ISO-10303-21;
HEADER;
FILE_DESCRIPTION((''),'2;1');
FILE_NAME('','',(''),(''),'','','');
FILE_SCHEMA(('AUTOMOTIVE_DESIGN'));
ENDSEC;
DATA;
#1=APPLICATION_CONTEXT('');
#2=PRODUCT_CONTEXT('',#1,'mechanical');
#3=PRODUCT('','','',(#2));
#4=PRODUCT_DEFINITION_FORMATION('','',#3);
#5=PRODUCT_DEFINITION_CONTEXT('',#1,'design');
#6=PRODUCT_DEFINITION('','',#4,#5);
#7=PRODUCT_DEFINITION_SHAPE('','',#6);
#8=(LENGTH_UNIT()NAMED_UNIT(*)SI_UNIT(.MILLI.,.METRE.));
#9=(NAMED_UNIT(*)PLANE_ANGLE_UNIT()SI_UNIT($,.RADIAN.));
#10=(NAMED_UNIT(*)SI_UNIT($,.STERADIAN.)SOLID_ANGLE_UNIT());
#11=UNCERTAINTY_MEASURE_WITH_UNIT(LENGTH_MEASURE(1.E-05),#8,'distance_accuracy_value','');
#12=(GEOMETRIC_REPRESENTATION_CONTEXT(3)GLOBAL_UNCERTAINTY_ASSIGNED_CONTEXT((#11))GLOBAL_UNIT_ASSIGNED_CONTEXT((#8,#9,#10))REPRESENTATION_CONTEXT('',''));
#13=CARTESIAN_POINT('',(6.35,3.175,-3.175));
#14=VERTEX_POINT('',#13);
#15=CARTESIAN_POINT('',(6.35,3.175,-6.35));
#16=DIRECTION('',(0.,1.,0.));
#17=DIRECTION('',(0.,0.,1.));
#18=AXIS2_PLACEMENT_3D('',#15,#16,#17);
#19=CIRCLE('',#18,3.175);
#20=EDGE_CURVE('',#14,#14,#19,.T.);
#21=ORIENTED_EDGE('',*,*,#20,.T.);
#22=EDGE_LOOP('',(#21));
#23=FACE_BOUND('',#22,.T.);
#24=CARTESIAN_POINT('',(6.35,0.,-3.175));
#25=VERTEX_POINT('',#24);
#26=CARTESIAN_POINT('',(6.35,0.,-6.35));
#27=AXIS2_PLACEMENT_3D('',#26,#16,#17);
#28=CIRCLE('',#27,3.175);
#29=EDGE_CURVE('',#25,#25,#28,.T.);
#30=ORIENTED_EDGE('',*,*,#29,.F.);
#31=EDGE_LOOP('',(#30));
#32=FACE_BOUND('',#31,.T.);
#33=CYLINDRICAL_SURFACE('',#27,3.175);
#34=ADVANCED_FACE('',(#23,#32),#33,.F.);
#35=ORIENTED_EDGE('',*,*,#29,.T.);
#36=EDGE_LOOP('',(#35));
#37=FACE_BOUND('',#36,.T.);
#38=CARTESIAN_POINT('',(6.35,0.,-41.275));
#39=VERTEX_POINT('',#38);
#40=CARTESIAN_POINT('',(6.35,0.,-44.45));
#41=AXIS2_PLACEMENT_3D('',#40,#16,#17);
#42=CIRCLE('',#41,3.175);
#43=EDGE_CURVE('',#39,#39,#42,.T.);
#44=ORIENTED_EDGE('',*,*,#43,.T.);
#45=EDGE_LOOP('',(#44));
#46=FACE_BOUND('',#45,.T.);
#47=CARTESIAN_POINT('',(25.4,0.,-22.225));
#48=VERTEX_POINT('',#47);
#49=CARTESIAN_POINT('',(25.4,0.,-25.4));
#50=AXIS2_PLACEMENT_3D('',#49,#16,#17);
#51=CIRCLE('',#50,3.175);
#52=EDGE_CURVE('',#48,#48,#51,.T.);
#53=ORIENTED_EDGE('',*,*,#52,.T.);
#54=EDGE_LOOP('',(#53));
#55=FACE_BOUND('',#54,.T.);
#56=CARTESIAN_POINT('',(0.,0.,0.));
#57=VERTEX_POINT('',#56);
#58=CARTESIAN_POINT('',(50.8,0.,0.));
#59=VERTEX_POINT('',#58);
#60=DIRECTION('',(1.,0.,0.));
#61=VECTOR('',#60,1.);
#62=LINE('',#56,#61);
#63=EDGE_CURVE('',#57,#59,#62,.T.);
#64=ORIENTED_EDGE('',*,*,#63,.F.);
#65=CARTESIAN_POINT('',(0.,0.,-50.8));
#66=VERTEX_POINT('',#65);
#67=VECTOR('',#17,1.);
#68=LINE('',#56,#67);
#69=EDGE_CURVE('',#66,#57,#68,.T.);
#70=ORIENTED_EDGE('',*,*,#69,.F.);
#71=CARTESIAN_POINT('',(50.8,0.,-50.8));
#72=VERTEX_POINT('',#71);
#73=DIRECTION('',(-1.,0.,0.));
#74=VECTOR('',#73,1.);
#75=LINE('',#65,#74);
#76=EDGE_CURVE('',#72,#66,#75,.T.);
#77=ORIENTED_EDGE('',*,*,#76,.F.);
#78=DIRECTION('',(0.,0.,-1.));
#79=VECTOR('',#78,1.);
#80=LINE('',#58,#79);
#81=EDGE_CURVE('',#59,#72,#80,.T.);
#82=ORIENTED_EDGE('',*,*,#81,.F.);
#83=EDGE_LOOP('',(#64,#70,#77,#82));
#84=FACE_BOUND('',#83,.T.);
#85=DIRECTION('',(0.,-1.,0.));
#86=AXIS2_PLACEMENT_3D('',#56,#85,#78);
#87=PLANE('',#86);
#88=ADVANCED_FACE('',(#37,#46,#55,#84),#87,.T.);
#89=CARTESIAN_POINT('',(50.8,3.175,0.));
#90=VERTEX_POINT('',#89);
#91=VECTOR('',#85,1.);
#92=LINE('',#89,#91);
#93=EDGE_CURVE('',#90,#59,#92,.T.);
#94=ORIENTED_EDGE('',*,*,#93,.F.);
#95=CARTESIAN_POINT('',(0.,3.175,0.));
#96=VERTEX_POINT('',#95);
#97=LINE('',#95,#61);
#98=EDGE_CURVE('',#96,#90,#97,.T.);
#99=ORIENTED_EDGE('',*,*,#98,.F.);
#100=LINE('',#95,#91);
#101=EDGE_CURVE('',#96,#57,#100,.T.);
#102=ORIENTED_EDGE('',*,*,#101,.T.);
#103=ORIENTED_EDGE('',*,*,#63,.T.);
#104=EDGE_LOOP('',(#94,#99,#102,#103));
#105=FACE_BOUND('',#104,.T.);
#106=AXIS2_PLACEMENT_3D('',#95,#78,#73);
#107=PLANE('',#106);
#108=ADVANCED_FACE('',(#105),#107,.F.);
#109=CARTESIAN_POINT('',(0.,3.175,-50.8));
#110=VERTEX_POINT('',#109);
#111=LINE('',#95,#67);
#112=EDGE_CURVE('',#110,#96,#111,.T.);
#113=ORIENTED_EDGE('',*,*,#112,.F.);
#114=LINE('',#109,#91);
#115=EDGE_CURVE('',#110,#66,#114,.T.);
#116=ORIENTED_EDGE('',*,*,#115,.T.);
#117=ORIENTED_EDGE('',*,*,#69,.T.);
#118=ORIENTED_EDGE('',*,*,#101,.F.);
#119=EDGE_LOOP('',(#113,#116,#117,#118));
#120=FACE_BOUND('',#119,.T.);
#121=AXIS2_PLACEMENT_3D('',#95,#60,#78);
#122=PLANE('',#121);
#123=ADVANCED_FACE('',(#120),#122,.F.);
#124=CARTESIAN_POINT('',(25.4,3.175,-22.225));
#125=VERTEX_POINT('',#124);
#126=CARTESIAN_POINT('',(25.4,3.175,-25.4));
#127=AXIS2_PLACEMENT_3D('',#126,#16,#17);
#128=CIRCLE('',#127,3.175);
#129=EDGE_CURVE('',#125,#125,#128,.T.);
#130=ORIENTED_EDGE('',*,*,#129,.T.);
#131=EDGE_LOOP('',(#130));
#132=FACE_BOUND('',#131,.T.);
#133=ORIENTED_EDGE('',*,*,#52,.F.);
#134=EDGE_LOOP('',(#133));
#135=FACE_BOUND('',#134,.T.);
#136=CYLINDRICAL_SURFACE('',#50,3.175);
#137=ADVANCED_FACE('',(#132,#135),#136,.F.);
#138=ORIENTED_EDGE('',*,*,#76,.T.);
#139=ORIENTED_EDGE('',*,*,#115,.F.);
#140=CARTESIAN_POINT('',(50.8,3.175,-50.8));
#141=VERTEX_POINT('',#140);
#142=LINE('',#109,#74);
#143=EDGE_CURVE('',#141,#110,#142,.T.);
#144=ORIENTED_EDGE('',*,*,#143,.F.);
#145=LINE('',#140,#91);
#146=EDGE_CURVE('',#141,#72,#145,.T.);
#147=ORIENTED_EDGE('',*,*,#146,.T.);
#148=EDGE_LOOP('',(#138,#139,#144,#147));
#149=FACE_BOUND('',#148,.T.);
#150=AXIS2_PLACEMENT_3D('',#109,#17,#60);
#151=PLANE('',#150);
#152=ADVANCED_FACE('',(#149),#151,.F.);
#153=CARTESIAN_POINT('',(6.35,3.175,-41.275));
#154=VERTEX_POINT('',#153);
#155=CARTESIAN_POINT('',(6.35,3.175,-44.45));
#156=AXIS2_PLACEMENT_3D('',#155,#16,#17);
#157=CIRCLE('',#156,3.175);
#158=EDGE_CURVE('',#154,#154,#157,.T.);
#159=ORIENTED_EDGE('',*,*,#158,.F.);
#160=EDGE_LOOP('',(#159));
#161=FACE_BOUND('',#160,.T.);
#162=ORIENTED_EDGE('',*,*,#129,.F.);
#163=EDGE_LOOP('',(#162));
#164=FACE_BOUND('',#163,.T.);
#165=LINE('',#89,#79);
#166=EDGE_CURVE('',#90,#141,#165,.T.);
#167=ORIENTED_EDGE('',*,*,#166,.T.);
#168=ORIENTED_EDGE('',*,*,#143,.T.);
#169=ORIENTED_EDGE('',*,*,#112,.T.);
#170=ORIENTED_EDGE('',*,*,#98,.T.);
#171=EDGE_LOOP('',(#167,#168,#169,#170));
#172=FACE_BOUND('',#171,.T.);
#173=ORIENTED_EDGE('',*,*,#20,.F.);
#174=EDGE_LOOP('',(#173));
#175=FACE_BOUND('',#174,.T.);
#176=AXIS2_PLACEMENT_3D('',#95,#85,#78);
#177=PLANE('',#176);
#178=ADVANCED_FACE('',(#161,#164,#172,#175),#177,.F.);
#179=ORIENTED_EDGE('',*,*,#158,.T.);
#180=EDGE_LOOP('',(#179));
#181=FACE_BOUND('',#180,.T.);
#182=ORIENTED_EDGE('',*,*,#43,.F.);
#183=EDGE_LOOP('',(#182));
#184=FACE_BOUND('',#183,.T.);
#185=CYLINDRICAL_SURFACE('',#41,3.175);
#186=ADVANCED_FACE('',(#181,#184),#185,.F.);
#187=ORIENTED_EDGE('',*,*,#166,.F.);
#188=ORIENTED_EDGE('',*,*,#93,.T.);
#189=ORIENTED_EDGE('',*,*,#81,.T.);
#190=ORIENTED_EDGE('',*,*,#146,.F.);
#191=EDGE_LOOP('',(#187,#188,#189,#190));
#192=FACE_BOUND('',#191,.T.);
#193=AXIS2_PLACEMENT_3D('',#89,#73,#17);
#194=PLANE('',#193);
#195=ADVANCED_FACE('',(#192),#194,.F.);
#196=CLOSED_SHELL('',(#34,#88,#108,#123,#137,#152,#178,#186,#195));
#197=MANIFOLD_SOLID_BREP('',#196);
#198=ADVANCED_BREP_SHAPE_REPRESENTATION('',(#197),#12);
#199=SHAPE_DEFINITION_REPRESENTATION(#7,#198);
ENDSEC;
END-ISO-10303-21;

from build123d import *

# Parameters (mm, degrees)
SKETCH1_W           = 50.8
SKETCH1_H           = 50.8
BOSS_EXTRUDE1_DEPTH = 3.175
SKETCH2_R           = 3.175
CUT_EXTRUDE1_DEPTH  = 3.175


with BuildPart() as part:
    # Sketch1 → Boss-Extrude1 (new body)
    with BuildSketch(Plane(origin=(0, 0, 0), x_dir=(1, 0, 0), z_dir=(0, 1, 0))):
        with Locations((25.4, 25.4)):
            Rectangle(SKETCH1_W, SKETCH1_H)
    extrude(amount=BOSS_EXTRUDE1_DEPTH)

    # Sketch2 → Cut-Extrude1 (cut)
    with BuildSketch(Plane(origin=(0, 3.175, 0), x_dir=(1, 0, 0), z_dir=(0, 1, 0))):
        with Locations(Location((6.35, 44.45, 0), (0, 0, 270))):
            Circle(SKETCH2_R)
        with Locations(Location((6.35, 6.35, 0), (0, 0, 270))):
            Circle(SKETCH2_R)
        with Locations(Location((25.4, 25.4, 0), (0, 0, 270))):
            Circle(SKETCH2_R)
    extrude(amount=-CUT_EXTRUDE1_DEPTH, mode=Mode.SUBTRACT)


solid = part.part
